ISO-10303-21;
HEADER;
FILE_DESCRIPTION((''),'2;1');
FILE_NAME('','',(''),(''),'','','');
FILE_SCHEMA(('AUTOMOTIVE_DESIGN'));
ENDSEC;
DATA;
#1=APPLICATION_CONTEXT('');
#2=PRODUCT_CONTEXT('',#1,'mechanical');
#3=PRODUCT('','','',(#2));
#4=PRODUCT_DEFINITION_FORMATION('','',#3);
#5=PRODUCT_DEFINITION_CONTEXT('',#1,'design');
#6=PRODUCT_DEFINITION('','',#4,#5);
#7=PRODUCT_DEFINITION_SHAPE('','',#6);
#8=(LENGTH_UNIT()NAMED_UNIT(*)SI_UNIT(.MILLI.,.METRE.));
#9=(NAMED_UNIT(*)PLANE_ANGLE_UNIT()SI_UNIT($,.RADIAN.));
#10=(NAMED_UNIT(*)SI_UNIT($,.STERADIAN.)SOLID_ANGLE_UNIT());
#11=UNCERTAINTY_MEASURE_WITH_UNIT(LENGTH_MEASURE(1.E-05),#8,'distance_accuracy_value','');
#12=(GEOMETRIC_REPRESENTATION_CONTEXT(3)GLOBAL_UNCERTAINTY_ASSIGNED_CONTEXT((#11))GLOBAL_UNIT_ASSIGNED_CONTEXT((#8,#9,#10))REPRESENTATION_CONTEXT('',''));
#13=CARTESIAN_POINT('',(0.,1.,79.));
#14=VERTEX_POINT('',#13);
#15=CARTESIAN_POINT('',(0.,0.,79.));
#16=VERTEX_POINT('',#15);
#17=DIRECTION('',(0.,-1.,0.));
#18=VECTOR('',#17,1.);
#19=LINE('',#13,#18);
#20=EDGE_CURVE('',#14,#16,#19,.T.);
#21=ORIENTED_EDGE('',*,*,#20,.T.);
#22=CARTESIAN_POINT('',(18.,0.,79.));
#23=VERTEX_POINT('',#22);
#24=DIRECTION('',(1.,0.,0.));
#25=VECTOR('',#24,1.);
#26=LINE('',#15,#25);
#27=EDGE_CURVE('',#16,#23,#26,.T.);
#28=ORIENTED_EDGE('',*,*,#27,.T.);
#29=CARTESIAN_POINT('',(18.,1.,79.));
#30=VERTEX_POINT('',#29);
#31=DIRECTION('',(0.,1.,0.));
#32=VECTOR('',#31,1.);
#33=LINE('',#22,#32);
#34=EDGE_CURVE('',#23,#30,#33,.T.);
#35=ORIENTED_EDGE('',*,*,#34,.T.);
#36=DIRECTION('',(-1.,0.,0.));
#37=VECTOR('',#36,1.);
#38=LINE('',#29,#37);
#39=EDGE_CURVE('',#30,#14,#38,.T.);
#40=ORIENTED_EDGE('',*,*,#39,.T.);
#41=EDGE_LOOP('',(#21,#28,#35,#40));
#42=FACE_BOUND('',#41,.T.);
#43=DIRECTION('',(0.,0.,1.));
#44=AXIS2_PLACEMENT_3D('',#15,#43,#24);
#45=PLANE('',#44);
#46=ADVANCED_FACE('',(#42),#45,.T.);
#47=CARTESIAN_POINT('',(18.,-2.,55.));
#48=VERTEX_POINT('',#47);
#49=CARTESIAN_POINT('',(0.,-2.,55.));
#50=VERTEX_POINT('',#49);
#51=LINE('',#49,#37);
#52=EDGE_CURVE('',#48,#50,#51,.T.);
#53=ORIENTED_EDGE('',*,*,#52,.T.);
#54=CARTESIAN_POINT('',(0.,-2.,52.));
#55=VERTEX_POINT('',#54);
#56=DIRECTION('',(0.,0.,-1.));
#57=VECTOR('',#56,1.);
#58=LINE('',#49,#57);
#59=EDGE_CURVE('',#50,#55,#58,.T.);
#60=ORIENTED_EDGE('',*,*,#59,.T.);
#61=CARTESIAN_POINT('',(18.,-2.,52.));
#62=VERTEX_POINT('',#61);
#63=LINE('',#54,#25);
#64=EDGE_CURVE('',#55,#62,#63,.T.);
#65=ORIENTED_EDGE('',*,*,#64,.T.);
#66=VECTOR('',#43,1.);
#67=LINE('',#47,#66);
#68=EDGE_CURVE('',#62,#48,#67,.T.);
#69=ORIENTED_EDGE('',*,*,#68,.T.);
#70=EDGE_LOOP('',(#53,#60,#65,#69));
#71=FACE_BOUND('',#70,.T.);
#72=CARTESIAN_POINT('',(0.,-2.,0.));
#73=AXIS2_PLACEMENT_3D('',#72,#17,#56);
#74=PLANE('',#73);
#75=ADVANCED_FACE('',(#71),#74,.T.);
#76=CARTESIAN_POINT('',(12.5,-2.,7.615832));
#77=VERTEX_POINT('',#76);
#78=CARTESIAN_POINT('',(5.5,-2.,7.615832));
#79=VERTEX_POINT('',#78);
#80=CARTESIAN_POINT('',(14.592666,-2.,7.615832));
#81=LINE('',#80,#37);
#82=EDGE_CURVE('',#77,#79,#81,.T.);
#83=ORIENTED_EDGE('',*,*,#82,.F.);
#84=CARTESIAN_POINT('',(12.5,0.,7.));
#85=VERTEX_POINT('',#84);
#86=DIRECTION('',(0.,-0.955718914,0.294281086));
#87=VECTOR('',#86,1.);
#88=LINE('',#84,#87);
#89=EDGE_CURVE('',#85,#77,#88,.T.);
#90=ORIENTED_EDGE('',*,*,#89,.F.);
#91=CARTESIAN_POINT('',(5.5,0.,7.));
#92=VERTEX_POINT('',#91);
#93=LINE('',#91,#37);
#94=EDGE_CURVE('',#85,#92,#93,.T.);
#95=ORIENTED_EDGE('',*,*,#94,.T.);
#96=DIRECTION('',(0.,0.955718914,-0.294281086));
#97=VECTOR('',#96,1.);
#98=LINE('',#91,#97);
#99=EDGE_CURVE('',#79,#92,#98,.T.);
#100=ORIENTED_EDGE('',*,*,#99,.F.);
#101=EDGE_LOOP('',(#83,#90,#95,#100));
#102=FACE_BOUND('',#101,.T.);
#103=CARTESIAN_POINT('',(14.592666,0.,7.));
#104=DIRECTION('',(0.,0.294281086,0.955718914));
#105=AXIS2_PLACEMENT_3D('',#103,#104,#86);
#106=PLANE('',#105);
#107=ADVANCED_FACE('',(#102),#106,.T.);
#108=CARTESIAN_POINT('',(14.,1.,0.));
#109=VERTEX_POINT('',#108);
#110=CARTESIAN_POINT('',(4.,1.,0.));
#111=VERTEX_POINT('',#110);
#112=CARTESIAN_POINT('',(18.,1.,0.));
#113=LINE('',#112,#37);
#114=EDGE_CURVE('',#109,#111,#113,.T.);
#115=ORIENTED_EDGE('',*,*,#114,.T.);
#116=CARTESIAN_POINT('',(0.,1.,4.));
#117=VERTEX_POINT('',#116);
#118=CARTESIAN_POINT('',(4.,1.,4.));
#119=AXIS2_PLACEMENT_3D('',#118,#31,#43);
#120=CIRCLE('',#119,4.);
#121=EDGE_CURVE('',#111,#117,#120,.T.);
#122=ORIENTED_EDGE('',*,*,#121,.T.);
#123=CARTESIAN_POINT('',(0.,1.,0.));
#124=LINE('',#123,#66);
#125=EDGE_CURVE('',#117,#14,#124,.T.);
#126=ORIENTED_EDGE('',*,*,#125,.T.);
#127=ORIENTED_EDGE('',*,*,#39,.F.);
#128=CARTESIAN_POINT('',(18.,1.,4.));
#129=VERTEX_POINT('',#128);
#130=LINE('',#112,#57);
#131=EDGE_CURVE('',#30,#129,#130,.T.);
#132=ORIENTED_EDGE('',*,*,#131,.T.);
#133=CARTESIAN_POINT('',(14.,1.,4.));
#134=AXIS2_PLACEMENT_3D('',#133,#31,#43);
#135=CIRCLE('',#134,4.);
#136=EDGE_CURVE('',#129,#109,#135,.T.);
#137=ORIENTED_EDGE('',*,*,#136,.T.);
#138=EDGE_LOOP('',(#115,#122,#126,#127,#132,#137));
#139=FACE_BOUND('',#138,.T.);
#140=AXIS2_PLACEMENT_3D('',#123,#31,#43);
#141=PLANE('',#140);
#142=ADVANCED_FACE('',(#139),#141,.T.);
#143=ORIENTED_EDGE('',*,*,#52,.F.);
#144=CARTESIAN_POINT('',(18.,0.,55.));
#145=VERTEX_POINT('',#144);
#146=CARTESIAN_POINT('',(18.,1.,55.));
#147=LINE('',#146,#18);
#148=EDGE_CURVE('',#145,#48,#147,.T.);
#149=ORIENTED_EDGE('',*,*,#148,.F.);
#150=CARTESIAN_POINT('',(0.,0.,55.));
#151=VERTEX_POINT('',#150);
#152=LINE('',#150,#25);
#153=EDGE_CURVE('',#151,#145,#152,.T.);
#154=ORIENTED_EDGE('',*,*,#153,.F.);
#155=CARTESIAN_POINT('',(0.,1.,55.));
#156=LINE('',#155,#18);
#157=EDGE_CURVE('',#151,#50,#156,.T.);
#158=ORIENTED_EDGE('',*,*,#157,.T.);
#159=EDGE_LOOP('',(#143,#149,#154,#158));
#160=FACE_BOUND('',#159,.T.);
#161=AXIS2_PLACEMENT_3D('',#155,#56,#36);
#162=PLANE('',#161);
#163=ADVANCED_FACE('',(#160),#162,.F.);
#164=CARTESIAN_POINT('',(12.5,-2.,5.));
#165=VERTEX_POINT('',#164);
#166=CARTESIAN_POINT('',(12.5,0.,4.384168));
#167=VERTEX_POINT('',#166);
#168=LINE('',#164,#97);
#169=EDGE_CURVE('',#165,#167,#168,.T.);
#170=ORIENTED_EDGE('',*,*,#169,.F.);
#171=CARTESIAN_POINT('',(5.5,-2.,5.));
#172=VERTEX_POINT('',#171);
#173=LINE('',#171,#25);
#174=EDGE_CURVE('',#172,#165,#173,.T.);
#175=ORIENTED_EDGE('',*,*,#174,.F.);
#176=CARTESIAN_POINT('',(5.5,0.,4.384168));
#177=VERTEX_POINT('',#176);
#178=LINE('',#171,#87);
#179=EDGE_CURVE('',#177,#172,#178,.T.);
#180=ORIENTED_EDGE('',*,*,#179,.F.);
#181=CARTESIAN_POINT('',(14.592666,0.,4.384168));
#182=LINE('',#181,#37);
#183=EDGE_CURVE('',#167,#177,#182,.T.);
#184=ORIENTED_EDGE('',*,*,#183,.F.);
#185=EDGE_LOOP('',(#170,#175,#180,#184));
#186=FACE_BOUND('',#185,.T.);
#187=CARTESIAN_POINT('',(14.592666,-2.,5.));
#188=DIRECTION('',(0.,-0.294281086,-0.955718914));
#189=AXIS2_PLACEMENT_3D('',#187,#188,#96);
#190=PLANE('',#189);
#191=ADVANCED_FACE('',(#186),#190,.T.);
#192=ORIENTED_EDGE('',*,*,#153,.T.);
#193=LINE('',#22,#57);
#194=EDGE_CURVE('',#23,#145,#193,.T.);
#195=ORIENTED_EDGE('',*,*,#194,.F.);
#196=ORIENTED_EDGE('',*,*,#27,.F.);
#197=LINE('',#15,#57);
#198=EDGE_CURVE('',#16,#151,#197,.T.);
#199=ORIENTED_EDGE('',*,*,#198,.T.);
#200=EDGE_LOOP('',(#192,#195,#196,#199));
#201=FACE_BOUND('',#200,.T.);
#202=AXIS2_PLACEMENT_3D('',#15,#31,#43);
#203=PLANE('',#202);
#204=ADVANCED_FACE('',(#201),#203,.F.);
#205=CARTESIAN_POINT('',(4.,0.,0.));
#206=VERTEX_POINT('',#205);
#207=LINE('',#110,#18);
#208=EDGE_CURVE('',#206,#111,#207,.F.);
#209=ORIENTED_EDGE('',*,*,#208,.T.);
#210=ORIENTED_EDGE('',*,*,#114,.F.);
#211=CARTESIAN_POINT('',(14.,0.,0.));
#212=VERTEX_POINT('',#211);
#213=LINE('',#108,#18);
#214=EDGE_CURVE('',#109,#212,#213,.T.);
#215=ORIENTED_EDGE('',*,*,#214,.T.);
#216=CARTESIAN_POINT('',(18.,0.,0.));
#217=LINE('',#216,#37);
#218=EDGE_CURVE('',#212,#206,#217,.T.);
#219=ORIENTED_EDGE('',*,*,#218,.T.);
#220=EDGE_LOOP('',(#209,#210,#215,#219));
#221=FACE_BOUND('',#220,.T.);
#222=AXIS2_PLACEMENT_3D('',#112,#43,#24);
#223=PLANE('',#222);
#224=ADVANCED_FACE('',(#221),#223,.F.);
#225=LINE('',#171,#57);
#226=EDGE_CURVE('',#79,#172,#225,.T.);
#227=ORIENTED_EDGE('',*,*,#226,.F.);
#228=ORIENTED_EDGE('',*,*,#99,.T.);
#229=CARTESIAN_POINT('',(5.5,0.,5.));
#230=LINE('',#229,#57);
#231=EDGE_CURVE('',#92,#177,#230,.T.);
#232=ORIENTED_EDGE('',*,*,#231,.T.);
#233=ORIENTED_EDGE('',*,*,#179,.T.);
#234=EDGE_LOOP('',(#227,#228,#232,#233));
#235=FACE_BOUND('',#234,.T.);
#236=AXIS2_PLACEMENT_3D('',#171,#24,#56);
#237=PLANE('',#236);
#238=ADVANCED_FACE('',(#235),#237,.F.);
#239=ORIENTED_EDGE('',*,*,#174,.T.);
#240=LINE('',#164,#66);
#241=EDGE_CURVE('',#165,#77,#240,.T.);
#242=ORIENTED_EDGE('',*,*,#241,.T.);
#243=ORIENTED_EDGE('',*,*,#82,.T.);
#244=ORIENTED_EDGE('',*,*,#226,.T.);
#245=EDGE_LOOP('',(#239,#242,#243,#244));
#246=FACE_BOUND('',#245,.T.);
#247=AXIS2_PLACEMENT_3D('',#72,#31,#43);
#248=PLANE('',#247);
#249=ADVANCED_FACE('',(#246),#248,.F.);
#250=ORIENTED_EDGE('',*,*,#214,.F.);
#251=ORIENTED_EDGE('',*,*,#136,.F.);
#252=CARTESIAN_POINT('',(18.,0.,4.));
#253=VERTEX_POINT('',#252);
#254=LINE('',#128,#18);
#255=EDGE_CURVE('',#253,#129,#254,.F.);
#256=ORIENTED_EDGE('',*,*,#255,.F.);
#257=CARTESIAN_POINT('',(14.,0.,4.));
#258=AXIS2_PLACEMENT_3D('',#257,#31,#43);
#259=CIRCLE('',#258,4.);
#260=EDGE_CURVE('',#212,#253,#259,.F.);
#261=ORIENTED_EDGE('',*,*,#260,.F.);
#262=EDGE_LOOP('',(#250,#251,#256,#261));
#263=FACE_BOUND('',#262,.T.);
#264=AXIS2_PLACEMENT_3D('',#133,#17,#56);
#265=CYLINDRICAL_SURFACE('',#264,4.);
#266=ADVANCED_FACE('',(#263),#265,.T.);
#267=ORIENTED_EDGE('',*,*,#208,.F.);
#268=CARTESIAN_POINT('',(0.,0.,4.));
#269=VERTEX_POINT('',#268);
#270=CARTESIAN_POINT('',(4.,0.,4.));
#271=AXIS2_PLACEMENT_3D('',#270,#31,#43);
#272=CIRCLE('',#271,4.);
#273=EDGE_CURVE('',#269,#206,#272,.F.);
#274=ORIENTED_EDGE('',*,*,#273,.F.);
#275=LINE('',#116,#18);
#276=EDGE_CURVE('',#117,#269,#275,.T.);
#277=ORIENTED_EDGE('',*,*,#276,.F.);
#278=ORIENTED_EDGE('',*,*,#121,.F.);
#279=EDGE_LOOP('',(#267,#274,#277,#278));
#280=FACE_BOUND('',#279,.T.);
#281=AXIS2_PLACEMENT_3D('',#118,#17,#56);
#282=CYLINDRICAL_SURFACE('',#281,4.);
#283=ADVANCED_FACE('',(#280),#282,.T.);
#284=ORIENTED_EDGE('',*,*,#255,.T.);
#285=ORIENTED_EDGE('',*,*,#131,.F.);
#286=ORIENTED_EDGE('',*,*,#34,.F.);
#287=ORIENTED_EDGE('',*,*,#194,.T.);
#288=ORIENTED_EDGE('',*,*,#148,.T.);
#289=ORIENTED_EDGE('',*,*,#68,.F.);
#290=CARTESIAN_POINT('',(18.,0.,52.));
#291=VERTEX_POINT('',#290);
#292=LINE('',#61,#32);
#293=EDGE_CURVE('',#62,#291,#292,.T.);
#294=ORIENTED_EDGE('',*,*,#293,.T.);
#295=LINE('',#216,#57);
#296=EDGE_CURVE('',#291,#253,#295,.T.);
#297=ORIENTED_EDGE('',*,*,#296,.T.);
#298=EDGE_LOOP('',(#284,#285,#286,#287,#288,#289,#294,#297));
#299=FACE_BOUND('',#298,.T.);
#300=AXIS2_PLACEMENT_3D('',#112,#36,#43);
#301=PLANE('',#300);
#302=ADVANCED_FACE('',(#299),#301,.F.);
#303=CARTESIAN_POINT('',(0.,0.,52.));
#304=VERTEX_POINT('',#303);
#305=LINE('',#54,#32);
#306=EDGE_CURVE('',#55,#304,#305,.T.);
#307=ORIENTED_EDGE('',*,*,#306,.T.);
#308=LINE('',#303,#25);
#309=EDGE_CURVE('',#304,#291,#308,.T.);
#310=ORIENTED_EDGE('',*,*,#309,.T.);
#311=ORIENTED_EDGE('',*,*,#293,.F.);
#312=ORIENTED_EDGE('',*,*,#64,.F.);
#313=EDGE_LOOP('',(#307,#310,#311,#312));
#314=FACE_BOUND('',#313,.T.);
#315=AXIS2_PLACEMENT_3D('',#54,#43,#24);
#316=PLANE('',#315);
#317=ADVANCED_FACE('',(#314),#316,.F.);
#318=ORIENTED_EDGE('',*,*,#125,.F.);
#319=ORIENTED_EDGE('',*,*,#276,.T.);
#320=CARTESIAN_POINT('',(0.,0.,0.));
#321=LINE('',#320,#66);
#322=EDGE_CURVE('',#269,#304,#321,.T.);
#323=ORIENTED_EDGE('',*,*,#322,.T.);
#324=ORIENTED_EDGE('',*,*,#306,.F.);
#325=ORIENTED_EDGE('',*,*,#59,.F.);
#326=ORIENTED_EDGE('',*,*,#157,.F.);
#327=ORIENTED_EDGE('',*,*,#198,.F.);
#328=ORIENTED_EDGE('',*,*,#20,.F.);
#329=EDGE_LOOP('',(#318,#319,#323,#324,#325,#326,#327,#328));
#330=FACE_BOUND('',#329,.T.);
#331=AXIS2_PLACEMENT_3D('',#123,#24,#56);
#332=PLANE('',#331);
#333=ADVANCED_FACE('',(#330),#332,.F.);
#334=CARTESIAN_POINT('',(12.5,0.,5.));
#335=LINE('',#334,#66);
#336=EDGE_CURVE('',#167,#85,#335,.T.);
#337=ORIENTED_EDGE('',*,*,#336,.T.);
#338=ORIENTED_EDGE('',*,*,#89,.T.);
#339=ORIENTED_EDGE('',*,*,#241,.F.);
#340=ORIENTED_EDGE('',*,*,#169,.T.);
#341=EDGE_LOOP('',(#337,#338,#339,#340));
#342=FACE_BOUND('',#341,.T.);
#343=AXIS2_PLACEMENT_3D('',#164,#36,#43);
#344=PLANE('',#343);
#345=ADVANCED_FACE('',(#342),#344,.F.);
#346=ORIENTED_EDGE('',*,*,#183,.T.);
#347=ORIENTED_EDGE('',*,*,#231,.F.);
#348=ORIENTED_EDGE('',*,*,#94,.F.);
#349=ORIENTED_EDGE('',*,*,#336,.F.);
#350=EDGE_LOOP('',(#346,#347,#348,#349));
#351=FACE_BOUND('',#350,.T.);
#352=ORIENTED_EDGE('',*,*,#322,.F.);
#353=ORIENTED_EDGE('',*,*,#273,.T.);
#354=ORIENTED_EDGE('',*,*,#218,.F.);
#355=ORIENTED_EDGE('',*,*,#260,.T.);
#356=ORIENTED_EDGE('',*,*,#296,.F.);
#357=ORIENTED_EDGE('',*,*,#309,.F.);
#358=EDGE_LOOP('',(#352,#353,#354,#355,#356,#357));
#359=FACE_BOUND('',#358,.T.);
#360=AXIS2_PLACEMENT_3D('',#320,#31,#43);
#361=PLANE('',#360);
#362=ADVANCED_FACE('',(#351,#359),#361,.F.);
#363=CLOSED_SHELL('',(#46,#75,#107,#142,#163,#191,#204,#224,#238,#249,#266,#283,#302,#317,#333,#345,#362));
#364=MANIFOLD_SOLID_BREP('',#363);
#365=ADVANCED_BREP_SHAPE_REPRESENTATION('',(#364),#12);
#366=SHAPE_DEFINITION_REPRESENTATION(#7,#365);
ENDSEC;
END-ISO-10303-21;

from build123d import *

# Parameters (mm, degrees)
SKETCH1_W           = 18
SKETCH1_H           = 55
BOSS_EXTRUDE1_DEPTH = 1
SKETCH2_W           = 18
SKETCH2_H           = 3
BOSS_EXTRUDE2_DEPTH = 2
SKETCH3_W           = 18
SKETCH3_H           = 1
BOSS_EXTRUDE3_DEPTH = 24
SKETCH4_W           = 7
SKETCH4_H           = 2
BOSS_EXTRUDE4_DEPTH = 2
FILLET1_R           = 4
BOSS_EXTRUDE5_DEPTH = 7


with BuildPart() as part:
    # Sketch1 → Boss-Extrude1 (new body)
    with BuildSketch(Plane(origin=(0, 0, 0), x_dir=(1, 0, 0), z_dir=(0, 1, 0))):
        with Locations((9, -27.5)):
            Rectangle(SKETCH1_W, SKETCH1_H)
    extrude(amount=BOSS_EXTRUDE1_DEPTH)

    # Sketch2 → Boss-Extrude2 (add)
    with BuildSketch(Plane.XZ):
        with Locations((9, 53.5)):
            Rectangle(SKETCH2_W, SKETCH2_H)
    extrude(amount=BOSS_EXTRUDE2_DEPTH)

    # Sketch3 → Boss-Extrude3 (add)
    with BuildSketch(Plane.XY.offset(55)):
        with Locations((9, 0.5)):
            Rectangle(SKETCH3_W, SKETCH3_H)
    extrude(amount=BOSS_EXTRUDE3_DEPTH)

    # Sketch4 → Boss-Extrude4 (add)
    with BuildSketch(Plane.XZ):
        with Locations((9, 6)):
            Rectangle(SKETCH4_W, SKETCH4_H)
    extrude(amount=BOSS_EXTRUDE4_DEPTH)

    # Fillet1
    fillet1_edges = [part.edges().sort_by_distance(p)[0] for p in [
        (0, 0.5, 0),
        (18, 0.5, 0),
    ]]
    fillet(fillet1_edges, radius=FILLET1_R)

    # Sketch5 → Boss-Extrude5 (add)
    with BuildSketch(Plane.ZY.offset(-5.5)):
        Polygon((7, 0), (7.615831877, -2), (7, -2), align=None)
        Polygon((5, 0), (5, -2), (4.384168123, 0), align=None)
    extrude(amount=-BOSS_EXTRUDE5_DEPTH)


solid = part.part
